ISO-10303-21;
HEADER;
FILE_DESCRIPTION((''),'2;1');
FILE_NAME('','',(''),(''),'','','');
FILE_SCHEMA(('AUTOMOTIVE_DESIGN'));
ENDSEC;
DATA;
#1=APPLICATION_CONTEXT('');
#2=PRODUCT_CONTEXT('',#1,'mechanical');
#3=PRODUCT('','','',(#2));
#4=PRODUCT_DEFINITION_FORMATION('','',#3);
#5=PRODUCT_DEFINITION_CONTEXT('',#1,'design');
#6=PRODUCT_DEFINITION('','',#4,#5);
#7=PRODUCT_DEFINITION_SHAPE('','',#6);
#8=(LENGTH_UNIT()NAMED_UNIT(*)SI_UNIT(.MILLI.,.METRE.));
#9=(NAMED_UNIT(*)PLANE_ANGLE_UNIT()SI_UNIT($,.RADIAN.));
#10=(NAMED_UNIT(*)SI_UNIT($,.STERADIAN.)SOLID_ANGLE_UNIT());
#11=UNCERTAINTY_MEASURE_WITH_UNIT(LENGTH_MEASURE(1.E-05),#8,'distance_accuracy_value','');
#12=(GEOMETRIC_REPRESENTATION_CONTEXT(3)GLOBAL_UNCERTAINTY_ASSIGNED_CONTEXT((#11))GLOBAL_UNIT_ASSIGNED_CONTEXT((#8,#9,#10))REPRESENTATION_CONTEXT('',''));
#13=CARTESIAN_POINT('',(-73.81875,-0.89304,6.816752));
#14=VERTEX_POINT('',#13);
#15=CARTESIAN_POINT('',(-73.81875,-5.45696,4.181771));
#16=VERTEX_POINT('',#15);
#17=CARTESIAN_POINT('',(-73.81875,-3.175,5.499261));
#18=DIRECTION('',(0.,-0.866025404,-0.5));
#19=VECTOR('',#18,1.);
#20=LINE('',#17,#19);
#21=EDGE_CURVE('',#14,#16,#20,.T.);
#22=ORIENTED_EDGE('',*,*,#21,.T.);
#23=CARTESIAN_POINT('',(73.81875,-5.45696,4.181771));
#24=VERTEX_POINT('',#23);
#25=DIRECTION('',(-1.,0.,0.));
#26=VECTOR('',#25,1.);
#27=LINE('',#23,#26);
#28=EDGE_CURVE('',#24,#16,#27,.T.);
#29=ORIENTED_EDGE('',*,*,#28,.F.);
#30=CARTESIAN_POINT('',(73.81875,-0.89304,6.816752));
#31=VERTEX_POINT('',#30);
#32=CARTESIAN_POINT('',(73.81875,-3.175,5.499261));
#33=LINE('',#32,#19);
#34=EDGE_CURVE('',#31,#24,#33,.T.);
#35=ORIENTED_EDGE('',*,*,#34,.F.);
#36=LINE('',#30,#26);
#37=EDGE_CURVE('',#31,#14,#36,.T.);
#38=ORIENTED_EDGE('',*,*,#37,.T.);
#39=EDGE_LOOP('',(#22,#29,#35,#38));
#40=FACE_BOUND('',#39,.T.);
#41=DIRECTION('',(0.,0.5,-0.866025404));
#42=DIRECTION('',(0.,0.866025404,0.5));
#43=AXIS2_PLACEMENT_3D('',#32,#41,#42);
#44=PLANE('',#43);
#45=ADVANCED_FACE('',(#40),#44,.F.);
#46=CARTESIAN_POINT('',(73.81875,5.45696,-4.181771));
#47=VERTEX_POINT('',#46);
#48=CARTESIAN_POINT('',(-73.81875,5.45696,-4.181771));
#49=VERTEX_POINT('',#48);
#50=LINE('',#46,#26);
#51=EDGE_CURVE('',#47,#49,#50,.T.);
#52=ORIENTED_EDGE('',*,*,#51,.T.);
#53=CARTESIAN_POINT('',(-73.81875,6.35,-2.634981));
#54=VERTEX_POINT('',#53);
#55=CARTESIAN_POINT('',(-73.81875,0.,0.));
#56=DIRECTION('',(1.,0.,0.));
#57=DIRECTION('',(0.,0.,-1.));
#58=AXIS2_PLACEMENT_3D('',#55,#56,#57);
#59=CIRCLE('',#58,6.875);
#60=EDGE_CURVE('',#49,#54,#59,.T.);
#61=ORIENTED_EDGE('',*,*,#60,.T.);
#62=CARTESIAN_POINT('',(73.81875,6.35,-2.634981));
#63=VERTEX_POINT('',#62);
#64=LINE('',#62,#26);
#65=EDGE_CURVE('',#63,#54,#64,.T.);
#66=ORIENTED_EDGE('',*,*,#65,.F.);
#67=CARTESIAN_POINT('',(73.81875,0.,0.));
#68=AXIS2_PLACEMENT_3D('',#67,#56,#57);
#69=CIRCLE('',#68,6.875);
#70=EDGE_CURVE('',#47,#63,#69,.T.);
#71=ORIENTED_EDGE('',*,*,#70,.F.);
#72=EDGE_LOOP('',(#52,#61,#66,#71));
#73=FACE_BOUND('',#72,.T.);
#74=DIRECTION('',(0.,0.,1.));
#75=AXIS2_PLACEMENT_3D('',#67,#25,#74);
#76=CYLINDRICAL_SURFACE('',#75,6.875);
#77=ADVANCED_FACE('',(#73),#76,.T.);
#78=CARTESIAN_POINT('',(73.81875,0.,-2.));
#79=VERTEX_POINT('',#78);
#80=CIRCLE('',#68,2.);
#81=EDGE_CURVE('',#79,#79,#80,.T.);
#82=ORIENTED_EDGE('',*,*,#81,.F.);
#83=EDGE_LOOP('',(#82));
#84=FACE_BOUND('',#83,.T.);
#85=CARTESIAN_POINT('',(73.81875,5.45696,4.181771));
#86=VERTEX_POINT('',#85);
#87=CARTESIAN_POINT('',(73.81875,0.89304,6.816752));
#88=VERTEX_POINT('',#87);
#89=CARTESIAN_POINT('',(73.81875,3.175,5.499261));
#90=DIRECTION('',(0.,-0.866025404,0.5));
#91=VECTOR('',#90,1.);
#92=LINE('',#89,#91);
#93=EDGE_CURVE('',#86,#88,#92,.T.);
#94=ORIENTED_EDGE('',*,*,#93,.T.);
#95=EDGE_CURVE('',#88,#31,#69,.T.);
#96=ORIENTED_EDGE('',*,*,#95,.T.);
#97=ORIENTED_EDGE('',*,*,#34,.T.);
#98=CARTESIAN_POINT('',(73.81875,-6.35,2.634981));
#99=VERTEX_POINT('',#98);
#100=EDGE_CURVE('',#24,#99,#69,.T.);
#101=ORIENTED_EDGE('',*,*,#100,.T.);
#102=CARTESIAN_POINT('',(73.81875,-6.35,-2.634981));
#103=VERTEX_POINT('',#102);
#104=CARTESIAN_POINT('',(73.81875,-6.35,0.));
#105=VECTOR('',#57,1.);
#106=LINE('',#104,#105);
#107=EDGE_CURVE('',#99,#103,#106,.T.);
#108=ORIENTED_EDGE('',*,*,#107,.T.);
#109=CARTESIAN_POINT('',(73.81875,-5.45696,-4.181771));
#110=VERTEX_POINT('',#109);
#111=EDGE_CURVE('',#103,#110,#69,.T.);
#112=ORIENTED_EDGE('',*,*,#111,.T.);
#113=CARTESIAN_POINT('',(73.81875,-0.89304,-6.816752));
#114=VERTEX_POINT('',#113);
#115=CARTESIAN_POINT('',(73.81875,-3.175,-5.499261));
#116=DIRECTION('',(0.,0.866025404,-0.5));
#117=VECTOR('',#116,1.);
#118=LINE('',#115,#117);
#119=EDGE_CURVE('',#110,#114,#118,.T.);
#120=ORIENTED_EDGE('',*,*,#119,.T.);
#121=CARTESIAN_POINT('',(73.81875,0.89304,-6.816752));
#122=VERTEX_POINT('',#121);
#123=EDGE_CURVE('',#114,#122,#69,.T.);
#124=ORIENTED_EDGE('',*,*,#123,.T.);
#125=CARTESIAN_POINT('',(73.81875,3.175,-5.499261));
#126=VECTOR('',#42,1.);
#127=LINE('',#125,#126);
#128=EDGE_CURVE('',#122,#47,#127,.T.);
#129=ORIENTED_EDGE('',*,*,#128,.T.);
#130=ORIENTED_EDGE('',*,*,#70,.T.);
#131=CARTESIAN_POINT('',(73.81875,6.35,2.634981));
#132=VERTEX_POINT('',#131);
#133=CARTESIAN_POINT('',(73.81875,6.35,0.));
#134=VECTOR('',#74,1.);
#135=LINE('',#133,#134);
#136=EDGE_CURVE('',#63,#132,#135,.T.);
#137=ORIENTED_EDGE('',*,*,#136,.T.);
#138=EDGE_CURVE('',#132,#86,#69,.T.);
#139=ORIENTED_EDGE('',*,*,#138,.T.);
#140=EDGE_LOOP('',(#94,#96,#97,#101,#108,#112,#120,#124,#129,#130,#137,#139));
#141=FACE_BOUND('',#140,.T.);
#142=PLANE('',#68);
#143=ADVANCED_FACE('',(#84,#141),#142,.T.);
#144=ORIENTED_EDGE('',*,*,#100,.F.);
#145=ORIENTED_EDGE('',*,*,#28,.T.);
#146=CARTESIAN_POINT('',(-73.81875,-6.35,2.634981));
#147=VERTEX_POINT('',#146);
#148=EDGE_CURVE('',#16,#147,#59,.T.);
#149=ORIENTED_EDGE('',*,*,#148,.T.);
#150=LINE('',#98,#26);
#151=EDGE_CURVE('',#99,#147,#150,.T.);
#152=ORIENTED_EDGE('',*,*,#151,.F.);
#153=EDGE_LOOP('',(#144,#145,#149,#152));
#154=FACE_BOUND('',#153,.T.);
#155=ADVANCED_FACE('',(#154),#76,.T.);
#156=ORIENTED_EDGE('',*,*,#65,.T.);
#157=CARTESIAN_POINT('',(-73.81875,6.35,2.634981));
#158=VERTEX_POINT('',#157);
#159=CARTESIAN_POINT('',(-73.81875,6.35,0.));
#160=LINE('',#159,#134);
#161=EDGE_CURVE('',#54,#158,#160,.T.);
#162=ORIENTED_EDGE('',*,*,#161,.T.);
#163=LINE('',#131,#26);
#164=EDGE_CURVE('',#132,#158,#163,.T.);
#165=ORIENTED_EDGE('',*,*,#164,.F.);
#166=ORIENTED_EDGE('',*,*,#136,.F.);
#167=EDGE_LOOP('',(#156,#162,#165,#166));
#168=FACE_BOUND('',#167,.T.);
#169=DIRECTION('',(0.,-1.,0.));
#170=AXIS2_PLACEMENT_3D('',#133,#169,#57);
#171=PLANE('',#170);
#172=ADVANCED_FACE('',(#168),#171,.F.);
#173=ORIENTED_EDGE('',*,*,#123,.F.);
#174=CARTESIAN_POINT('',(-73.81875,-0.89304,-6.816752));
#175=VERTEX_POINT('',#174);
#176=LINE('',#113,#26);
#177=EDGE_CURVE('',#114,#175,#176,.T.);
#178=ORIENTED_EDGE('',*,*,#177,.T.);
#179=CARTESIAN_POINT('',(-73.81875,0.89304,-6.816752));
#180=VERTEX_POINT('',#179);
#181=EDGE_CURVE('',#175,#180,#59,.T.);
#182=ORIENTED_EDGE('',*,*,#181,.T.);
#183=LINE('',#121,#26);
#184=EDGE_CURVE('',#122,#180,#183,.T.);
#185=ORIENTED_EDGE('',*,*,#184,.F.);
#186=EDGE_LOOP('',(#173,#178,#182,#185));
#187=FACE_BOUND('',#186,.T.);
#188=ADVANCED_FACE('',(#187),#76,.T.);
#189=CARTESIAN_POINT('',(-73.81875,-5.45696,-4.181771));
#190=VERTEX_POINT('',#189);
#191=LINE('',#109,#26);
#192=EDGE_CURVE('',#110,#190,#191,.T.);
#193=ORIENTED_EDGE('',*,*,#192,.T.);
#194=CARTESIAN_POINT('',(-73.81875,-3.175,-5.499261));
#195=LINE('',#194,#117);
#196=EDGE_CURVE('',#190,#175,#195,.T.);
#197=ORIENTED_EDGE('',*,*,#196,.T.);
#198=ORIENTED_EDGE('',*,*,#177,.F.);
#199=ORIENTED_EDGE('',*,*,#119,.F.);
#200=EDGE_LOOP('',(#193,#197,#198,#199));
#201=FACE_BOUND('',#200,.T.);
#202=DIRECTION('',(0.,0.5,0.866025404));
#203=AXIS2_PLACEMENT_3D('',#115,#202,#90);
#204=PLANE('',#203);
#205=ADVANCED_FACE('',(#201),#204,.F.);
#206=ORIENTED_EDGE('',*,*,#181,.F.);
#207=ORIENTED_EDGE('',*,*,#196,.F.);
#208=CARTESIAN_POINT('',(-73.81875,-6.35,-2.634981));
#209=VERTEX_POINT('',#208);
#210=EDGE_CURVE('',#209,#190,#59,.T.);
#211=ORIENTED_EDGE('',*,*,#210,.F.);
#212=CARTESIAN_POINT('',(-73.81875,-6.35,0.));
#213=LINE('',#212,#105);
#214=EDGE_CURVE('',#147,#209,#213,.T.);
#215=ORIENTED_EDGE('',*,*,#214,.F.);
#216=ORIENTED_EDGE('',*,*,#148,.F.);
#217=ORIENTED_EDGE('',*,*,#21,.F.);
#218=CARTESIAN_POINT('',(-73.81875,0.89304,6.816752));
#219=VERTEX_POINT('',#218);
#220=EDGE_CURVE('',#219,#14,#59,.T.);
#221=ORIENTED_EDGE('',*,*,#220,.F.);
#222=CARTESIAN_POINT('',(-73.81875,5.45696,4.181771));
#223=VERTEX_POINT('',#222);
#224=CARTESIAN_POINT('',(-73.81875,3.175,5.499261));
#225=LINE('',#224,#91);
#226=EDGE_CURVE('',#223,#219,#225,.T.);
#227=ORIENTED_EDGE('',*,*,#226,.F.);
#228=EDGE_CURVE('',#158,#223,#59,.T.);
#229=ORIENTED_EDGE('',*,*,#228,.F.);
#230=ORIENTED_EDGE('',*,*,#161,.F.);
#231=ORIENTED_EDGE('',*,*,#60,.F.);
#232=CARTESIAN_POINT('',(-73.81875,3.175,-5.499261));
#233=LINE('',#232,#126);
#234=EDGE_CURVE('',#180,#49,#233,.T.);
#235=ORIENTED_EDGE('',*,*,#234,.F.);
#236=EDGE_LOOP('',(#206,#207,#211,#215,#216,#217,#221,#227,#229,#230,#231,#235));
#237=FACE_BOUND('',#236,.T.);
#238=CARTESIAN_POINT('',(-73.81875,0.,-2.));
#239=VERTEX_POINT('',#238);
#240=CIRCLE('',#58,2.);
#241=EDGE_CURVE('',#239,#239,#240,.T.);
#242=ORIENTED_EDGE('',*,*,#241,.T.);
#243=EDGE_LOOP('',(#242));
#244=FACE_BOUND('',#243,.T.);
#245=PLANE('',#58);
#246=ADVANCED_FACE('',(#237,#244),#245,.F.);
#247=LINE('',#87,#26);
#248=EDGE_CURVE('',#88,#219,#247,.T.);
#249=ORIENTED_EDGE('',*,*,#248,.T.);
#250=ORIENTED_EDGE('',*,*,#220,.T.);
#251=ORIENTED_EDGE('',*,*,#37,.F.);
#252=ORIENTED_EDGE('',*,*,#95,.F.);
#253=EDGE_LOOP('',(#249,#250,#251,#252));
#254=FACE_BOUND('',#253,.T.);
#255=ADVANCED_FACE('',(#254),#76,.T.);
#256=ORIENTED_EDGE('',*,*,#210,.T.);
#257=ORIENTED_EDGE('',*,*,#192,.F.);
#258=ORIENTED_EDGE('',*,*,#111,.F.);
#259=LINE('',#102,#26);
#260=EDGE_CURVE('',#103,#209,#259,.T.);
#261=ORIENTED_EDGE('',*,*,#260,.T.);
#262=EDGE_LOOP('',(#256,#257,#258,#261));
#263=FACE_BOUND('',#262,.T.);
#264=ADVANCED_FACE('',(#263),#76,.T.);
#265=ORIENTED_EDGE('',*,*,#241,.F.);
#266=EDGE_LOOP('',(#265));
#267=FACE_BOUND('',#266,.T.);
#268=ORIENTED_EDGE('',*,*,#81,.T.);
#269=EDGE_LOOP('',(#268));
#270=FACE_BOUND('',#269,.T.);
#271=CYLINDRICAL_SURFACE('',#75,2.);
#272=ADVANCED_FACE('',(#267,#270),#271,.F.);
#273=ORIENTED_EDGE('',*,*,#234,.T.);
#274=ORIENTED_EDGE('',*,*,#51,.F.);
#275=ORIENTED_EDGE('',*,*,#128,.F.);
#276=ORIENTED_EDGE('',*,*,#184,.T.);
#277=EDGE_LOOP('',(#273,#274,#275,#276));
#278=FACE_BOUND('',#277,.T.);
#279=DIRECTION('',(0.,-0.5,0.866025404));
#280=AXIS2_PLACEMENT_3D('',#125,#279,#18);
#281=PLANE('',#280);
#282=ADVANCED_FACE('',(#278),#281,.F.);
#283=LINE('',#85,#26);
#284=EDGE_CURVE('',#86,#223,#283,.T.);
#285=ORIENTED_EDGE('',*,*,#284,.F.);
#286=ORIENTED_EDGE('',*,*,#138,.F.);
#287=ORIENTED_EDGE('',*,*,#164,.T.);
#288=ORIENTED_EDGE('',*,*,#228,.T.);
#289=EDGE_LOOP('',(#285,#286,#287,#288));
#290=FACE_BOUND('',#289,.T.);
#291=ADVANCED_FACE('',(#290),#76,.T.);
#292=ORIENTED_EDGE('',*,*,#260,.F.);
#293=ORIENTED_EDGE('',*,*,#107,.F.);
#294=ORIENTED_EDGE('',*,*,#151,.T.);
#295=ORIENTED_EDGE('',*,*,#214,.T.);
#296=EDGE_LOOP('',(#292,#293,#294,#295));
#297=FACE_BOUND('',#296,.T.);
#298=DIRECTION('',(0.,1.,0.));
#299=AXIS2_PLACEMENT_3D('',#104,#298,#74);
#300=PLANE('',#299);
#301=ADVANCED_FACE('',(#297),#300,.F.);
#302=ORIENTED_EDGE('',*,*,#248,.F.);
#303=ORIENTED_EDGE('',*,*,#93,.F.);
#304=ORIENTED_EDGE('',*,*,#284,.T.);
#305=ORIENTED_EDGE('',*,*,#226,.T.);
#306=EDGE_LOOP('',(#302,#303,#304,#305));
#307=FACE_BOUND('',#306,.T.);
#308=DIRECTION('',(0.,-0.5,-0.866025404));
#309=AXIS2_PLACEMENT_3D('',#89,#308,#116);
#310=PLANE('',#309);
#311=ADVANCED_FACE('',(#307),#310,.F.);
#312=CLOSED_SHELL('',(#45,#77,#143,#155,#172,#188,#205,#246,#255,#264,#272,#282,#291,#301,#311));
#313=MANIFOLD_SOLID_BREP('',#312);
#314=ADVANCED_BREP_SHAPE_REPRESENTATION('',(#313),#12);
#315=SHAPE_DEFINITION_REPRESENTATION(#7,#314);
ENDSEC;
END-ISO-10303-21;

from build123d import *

# Parameters (mm, degrees)
SKETCH1_R           = 2.000000064
BOSS_EXTRUDE1_DEPTH = 73.81875


with BuildPart() as part:
    # Sketch1 → Boss-Extrude1 (new, symmetric)
    with BuildSketch(Plane(origin=(0, 0, 0), x_dir=(0, 0, -1), z_dir=(1, 0, 0))):
        with BuildLine():
            ThreePointArc((6.874999966, 0), (6.860422465, 0.447468582), (6.816751782, 0.893039571))
            Line((6.816751782, 0.893039571), (4.181770846, 5.456960429))
            ThreePointArc((4.181770846, 5.456960429), (3.437499983, 5.953924622), (2.634980936, 6.35))
            Line((2.634980936, 6.35), (-2.634980936, 6.35))
            ThreePointArc((-2.634980936, 6.35), (-3.437499983, 5.953924622), (-4.181770846, 5.456960429))
            Line((-4.181770846, 5.456960429), (-6.816751782, 0.893039571))
            ThreePointArc((-6.816751782, 0.893039571), (-6.874999966, 0), (-6.816751782, -0.893039571))
            Line((-6.816751782, -0.893039571), (-4.181770846, -5.456960429))
            ThreePointArc((-4.181770846, -5.456960429), (-3.437499983, -5.953924622), (-2.634980936, -6.35))
            Line((-2.634980936, -6.35), (2.634980936, -6.35))
            ThreePointArc((2.634980936, -6.35), (3.437499983, -5.953924622), (4.181770846, -5.456960429))
            Line((4.181770846, -5.456960429), (6.816751782, -0.893039571))
            ThreePointArc((6.816751782, -0.893039571), (6.860422465, -0.447468582), (6.874999966, 0))
        make_face()
        Circle(SKETCH1_R, mode=Mode.SUBTRACT)
    extrude(amount=BOSS_EXTRUDE1_DEPTH, both=True)


solid = part.part
